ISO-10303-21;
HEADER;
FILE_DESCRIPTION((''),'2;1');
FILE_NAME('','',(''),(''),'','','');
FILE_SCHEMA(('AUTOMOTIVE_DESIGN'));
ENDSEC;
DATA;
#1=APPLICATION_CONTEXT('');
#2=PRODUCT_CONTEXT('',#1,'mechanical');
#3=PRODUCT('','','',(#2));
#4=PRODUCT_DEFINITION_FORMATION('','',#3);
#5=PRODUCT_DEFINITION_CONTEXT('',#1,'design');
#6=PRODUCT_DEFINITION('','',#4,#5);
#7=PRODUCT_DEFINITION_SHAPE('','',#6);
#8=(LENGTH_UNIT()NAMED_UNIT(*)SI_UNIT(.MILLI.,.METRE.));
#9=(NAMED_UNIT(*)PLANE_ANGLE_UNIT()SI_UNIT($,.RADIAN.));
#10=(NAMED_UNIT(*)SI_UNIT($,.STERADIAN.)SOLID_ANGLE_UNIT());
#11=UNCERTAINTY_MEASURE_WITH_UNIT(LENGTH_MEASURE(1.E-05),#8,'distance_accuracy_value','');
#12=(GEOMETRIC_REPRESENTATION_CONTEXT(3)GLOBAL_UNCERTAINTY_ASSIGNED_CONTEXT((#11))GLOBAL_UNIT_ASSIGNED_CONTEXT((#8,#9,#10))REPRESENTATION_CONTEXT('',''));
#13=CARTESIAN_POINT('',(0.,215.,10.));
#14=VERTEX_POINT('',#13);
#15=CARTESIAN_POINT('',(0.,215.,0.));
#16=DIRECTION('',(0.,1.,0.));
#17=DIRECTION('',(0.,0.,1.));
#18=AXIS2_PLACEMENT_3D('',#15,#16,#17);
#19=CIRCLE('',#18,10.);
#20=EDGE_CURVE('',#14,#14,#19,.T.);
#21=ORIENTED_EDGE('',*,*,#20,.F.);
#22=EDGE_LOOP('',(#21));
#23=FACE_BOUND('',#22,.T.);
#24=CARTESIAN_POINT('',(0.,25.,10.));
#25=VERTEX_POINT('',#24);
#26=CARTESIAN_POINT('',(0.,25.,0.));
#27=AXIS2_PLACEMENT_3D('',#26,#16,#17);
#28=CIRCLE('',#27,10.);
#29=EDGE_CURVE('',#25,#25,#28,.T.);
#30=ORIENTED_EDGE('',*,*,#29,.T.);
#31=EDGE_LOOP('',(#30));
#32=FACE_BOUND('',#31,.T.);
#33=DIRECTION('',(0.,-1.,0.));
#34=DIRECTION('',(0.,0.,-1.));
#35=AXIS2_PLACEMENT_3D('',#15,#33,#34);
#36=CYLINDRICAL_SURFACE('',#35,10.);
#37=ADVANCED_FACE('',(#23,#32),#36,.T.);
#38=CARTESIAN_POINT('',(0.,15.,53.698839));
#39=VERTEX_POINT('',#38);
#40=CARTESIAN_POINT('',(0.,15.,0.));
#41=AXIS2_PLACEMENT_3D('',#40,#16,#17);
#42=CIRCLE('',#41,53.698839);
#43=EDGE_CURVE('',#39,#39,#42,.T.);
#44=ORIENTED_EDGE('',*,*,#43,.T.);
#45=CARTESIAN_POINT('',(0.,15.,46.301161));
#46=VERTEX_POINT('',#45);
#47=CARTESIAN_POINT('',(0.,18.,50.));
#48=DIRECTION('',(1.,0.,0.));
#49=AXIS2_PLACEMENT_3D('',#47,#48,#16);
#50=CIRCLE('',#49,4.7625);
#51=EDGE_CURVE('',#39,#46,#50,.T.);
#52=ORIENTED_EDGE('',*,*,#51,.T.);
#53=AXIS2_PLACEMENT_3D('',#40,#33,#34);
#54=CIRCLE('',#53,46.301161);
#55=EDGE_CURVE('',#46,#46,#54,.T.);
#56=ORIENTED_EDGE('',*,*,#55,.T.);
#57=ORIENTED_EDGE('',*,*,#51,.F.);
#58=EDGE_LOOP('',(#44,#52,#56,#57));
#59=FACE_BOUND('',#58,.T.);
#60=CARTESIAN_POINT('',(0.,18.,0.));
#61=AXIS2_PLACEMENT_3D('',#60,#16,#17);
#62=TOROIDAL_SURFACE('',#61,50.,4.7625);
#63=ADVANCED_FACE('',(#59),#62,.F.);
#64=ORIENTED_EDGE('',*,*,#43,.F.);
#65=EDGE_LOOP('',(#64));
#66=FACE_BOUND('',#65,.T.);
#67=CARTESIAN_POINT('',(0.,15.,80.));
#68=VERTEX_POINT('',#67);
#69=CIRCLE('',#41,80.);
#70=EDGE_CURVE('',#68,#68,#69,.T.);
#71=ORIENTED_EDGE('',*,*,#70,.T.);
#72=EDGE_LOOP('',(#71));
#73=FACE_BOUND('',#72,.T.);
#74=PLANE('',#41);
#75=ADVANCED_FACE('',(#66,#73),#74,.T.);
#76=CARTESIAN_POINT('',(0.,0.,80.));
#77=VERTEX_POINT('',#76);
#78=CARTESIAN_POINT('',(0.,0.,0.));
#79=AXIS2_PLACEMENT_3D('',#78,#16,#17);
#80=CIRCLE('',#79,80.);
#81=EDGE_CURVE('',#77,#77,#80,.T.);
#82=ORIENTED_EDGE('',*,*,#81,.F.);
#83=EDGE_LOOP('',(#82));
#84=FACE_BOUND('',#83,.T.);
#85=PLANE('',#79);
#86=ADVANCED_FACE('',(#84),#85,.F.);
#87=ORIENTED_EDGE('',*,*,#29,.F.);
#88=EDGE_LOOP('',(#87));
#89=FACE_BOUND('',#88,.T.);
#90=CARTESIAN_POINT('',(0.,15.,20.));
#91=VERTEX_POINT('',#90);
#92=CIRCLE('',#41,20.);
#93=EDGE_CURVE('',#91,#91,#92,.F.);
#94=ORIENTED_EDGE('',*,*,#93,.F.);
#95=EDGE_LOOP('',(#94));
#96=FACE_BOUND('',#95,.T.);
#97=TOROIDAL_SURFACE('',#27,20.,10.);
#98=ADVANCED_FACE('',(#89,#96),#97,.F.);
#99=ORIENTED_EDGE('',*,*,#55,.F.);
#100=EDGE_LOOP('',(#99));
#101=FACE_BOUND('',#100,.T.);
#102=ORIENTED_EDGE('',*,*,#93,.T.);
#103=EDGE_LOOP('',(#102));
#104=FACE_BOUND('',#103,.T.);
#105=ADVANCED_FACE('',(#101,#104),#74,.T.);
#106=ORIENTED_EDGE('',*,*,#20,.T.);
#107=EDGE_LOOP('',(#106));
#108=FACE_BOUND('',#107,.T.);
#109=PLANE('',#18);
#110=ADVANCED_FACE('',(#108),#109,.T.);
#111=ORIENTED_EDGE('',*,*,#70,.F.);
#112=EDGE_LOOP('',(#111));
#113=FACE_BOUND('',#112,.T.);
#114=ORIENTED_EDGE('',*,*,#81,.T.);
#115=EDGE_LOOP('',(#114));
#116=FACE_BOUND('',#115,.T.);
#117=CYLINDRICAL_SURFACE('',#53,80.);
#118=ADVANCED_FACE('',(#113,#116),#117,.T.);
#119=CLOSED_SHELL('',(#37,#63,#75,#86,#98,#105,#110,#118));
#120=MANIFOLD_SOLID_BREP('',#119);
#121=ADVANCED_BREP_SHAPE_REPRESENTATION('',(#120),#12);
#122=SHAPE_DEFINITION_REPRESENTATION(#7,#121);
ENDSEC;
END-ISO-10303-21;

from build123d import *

# Parameters (mm, degrees)
SKETCH1_R            = 80
BOSS_EXTRUDE1_DEPTH  = 15
SKETCH16_R           = 10
BOSS_EXTRUDE2_DEPTH  = 200
FILLET1_R            = 10
CUT_SWEEP2_PROFILE_R = 4.7625


with BuildPart() as part:
    # Sketch1 → Boss-Extrude1 (new body)
    with BuildSketch(Plane(origin=(0, 0, 0), x_dir=(1, 0, 0), z_dir=(0, 1, 0))):
        Circle(SKETCH1_R)
    extrude(amount=BOSS_EXTRUDE1_DEPTH)

    # Sketch16 → Boss-Extrude2 (add)
    with BuildSketch(Plane(origin=(0, 15, 0), x_dir=(1, 0, 0), z_dir=(0, 1, 0))):
        Circle(SKETCH16_R)
    extrude(amount=BOSS_EXTRUDE2_DEPTH)

    # Fillet1
    fillet1_edges = [part.edges().sort_by_distance(p)[0] for p in [
        (-10, 15, 0),
    ]]
    fillet(fillet1_edges, radius=FILLET1_R)

    # Cut-Sweep2: sweep along a path in Sketch29
    with BuildLine(Plane(origin=(0, 18, 0), x_dir=(1, 0, 0), z_dir=(0, 1, 0))) as cut_sweep2_path:
        CenterArc((0, 0), 50, 0, 360)
    # Cut-Sweep2 profile (on start of the path) → Cut-Sweep2 (sweep, cut)
    with BuildSketch(Plane(origin=(50, 18, 0), x_dir=(-1, 0, 0), z_dir=(0, 0, -1))):
        Circle(CUT_SWEEP2_PROFILE_R)
    sweep(path=cut_sweep2_path.line, mode=Mode.SUBTRACT)


solid = part.part
